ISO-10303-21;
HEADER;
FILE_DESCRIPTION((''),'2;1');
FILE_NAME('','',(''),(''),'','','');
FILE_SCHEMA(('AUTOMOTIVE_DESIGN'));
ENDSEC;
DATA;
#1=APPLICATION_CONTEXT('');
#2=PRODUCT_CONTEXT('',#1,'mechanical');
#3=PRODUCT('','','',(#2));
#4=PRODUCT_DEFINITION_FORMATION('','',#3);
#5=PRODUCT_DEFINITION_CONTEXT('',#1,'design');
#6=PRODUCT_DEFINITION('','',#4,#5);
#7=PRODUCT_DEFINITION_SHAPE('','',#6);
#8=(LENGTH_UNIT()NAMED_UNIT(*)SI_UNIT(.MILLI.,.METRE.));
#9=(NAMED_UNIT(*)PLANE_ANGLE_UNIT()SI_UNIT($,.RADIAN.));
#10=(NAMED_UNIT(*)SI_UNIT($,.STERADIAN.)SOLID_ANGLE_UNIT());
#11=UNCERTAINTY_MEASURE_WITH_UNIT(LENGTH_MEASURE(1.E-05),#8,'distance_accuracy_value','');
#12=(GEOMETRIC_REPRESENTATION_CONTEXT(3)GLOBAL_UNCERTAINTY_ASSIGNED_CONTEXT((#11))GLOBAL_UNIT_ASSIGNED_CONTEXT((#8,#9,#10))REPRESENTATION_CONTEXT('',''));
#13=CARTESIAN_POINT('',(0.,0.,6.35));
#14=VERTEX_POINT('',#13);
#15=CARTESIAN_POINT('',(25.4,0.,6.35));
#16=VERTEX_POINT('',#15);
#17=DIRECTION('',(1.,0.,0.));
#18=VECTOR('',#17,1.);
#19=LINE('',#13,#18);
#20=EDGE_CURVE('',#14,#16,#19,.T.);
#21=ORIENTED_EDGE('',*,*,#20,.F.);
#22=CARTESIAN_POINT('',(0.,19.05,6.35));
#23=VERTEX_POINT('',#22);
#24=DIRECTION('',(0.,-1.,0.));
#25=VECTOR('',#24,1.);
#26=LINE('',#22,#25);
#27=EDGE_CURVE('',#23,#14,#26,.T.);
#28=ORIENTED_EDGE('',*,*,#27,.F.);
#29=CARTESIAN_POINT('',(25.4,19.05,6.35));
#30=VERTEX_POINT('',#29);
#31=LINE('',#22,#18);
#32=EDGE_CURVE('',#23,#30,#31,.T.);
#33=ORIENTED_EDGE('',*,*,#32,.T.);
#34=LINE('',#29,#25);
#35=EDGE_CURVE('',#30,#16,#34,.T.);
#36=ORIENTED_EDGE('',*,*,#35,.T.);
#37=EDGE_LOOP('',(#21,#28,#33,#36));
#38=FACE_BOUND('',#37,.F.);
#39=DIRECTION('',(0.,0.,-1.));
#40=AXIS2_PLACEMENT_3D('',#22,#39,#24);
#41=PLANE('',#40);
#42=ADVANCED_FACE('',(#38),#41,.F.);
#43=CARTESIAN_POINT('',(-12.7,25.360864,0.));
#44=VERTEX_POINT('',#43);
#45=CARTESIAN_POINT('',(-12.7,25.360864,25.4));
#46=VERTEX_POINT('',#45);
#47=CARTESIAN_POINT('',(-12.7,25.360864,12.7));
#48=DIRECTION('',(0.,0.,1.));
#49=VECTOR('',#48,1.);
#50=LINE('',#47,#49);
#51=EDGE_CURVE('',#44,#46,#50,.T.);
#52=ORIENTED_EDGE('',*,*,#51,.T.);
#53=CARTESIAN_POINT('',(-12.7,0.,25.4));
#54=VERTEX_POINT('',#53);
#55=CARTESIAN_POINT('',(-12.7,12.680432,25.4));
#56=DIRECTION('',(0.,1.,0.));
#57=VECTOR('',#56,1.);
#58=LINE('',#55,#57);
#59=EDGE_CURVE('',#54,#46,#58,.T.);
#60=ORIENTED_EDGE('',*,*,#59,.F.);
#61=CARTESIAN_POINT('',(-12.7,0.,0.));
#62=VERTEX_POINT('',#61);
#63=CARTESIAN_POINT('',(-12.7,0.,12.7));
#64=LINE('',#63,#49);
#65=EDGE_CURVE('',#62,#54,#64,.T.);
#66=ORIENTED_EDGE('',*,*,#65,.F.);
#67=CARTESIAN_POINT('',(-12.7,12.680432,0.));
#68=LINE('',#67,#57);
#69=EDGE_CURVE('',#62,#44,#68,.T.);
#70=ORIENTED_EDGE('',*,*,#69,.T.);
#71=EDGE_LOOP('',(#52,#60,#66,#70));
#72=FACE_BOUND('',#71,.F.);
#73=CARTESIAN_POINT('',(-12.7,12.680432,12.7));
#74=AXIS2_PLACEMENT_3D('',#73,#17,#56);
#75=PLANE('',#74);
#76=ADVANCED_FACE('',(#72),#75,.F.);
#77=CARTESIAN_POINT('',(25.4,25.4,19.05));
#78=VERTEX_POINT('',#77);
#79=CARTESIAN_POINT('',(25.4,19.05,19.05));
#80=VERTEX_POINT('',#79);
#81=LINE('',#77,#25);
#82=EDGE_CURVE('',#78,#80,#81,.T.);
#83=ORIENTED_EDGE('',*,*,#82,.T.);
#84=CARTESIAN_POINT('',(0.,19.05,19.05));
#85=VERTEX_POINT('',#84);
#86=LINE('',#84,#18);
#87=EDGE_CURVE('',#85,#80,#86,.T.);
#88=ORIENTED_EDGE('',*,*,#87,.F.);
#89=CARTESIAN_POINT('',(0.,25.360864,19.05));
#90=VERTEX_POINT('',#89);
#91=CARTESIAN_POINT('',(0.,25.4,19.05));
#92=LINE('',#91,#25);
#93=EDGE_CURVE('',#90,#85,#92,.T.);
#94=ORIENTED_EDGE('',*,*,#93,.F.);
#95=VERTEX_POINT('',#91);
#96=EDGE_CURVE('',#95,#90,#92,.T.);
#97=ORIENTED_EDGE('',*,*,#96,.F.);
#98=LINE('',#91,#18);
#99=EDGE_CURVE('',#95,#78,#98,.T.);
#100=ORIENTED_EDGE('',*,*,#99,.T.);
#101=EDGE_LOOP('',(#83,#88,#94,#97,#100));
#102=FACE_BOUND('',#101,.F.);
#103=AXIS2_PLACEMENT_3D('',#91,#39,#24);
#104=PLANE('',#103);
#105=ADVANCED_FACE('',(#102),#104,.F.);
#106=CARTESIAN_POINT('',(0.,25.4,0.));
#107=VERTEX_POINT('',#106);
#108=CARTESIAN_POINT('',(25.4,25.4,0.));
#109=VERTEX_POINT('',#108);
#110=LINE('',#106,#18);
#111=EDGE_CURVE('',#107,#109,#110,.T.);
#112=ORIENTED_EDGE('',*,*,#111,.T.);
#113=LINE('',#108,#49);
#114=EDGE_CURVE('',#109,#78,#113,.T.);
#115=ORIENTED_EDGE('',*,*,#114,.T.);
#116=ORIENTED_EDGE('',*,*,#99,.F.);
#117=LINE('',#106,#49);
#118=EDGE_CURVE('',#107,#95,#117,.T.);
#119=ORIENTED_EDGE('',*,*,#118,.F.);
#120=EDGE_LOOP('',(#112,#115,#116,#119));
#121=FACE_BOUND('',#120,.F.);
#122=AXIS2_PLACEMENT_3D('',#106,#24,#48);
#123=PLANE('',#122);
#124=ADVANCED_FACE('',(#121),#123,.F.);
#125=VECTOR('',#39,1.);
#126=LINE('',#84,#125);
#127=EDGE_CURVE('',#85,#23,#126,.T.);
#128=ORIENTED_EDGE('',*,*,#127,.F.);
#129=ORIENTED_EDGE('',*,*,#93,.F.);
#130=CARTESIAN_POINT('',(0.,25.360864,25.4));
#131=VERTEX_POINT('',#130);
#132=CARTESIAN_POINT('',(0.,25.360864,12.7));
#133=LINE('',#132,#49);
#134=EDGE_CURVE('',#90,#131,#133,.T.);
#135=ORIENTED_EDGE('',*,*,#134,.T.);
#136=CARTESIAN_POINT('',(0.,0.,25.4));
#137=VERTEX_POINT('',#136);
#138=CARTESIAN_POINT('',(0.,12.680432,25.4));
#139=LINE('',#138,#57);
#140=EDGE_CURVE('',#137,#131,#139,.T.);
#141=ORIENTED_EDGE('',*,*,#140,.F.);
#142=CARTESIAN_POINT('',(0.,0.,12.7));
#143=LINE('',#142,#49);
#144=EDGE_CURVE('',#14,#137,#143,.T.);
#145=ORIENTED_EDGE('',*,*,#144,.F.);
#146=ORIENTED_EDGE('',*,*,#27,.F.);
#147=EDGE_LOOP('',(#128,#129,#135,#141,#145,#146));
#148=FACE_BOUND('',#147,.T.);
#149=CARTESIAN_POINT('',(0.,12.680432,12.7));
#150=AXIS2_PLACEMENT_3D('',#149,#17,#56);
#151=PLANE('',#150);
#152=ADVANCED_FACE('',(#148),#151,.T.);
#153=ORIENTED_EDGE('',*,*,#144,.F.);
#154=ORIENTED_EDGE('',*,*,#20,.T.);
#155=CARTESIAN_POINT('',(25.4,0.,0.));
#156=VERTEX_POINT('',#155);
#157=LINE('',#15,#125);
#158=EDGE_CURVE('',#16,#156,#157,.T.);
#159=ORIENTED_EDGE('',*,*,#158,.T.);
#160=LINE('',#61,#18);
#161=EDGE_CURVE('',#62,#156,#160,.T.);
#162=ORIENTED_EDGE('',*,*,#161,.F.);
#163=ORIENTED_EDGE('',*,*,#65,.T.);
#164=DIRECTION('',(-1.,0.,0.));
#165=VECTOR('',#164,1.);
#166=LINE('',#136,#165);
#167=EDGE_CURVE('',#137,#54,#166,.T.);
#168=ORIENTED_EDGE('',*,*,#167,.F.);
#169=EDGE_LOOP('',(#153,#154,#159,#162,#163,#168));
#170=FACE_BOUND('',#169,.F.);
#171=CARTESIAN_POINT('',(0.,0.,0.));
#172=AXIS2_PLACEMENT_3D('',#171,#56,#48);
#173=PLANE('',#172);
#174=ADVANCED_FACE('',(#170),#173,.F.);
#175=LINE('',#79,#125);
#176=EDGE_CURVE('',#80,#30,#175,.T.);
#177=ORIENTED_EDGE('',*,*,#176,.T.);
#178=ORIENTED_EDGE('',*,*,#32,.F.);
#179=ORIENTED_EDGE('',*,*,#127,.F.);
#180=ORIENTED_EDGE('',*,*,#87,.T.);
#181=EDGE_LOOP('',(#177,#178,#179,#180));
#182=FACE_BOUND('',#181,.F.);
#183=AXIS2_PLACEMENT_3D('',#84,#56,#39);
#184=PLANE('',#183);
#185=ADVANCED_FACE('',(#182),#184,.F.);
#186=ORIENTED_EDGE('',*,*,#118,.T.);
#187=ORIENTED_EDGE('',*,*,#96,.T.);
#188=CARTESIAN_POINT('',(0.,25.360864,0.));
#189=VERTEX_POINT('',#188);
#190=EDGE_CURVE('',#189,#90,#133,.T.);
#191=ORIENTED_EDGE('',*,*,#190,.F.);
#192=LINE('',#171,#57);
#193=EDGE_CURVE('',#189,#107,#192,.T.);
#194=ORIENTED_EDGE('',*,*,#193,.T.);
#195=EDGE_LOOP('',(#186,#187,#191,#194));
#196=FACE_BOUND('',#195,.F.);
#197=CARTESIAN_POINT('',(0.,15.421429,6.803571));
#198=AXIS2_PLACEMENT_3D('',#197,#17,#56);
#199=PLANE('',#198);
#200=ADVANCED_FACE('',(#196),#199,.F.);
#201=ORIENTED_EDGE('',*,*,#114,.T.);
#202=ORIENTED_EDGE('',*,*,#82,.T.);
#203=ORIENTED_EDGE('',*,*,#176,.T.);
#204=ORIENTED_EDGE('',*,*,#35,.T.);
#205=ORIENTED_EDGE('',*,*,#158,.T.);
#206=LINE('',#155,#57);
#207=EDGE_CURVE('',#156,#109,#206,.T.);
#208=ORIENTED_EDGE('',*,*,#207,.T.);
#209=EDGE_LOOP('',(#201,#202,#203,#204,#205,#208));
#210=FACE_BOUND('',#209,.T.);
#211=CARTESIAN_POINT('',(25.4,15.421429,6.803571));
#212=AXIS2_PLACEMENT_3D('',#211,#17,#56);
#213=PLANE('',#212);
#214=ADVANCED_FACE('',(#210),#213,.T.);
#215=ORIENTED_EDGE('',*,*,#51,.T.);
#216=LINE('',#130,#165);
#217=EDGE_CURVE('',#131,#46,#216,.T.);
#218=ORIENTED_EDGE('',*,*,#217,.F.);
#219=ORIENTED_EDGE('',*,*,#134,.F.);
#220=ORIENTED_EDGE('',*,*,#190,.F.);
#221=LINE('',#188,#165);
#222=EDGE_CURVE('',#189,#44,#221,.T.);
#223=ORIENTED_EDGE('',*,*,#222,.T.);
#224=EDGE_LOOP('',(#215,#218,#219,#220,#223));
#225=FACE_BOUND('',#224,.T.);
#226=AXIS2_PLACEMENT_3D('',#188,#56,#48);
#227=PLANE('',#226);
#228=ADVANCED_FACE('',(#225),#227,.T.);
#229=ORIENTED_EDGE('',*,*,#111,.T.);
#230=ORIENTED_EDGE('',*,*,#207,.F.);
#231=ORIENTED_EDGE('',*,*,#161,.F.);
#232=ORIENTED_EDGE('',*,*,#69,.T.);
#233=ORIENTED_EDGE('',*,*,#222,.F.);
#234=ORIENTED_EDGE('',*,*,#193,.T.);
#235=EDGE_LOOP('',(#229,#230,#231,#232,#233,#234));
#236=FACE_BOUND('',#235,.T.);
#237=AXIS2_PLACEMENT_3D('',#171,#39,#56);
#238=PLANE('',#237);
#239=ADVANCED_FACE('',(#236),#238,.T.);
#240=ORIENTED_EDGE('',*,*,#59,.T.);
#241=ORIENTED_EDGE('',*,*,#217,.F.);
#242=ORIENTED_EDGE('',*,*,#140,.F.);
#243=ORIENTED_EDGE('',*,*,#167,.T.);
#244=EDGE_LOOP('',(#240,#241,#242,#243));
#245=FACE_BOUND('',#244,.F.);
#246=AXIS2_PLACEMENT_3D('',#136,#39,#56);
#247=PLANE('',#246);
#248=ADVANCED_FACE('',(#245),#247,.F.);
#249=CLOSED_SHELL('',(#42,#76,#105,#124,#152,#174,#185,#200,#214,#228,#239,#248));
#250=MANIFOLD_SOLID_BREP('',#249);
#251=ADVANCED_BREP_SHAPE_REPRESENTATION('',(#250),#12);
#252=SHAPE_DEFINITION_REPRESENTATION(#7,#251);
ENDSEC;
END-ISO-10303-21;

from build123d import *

# Parameters (mm, degrees)
F1_DEPTH = 25.4
F2_W     = 25.360864
F2_H     = 25.4
F3_DEPTH = 12.7


with BuildPart() as f1:
    # F0 (on Right) → F1 (new body)
    with BuildSketch(Plane.YZ):
        Polygon((0, 6.35), (0, 0), (25.4, 0), (25.4, 19.05), (19.05, 19.05), (19.05, 6.35), align=None)
    extrude(amount=F1_DEPTH)

    # F2 (on Right) → F3 (join)
    with BuildSketch(Plane.YZ):
        with Locations((12.680432, 12.7)):
            Rectangle(F2_W, F2_H)
    extrude(amount=-F3_DEPTH)


solid = f1.part
